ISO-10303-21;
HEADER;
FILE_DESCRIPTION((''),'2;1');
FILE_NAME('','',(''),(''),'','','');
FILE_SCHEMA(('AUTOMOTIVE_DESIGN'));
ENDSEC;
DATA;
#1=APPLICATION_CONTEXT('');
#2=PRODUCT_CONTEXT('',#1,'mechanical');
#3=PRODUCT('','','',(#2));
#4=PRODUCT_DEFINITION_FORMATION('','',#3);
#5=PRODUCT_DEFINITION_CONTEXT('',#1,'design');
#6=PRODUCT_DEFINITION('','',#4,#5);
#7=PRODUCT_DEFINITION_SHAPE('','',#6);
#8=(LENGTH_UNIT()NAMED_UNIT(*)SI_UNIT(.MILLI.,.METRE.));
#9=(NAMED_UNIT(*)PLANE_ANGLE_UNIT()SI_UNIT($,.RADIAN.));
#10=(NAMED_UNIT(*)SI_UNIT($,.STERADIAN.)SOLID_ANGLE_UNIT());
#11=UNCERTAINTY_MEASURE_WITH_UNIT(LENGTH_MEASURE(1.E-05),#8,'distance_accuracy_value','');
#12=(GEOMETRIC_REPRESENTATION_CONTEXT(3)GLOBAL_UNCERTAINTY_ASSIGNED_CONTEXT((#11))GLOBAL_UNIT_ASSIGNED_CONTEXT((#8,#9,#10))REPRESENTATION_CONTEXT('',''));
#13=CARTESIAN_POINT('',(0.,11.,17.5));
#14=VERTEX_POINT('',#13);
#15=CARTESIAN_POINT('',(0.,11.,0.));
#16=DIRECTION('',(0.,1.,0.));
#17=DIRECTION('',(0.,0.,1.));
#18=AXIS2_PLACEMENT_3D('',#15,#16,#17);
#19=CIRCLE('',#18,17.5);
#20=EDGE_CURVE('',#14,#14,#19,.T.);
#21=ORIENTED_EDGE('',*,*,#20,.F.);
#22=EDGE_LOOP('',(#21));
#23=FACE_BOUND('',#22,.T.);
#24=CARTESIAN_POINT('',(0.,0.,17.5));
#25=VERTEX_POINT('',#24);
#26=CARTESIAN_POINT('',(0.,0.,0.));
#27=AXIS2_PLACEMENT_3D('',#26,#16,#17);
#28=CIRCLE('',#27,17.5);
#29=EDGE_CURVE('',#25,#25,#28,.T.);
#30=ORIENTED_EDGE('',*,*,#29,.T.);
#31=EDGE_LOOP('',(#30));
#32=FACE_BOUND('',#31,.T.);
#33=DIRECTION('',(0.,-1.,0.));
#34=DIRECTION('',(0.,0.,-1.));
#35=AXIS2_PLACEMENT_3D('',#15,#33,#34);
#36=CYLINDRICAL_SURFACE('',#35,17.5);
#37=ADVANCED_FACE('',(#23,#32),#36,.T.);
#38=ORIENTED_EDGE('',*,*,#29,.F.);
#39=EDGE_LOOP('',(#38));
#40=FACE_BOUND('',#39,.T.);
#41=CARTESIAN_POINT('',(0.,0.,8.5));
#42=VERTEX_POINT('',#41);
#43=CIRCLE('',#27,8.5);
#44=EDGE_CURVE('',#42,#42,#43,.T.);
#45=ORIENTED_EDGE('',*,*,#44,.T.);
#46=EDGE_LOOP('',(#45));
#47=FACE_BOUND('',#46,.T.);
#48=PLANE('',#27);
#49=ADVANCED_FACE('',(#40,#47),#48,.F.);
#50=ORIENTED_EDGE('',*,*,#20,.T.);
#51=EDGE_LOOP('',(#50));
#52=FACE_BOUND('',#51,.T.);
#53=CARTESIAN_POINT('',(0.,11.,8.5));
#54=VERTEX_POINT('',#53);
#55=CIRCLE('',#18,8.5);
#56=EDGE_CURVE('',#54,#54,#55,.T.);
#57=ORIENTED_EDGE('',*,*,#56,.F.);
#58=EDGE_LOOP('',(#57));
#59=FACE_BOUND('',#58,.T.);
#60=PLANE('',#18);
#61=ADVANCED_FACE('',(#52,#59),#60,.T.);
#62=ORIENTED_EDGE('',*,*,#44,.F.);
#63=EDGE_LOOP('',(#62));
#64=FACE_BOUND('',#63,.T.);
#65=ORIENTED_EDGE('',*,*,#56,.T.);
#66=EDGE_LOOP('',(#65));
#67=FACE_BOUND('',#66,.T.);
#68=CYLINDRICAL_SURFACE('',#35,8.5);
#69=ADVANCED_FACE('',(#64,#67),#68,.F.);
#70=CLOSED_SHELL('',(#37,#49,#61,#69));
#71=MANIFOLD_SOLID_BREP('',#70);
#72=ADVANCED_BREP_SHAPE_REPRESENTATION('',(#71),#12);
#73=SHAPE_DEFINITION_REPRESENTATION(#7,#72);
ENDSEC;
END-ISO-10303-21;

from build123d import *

# Parameters (mm, degrees)
SCHIZZO1_R                   = 17.5
SCHIZZO1_R_2                 = 8.5
ESTRUSIONE_ESTRUSIONE1_DEPTH = 11


with BuildPart() as part:
    # Schizzo1 → Estrusione-Estrusione1 (new body)
    with BuildSketch(Plane(origin=(0, 0, 0), x_dir=(1, 0, 0), z_dir=(0, 1, 0))):
        Circle(SCHIZZO1_R)
        Circle(SCHIZZO1_R_2, mode=Mode.SUBTRACT)
    extrude(amount=ESTRUSIONE_ESTRUSIONE1_DEPTH)


solid = part.part
